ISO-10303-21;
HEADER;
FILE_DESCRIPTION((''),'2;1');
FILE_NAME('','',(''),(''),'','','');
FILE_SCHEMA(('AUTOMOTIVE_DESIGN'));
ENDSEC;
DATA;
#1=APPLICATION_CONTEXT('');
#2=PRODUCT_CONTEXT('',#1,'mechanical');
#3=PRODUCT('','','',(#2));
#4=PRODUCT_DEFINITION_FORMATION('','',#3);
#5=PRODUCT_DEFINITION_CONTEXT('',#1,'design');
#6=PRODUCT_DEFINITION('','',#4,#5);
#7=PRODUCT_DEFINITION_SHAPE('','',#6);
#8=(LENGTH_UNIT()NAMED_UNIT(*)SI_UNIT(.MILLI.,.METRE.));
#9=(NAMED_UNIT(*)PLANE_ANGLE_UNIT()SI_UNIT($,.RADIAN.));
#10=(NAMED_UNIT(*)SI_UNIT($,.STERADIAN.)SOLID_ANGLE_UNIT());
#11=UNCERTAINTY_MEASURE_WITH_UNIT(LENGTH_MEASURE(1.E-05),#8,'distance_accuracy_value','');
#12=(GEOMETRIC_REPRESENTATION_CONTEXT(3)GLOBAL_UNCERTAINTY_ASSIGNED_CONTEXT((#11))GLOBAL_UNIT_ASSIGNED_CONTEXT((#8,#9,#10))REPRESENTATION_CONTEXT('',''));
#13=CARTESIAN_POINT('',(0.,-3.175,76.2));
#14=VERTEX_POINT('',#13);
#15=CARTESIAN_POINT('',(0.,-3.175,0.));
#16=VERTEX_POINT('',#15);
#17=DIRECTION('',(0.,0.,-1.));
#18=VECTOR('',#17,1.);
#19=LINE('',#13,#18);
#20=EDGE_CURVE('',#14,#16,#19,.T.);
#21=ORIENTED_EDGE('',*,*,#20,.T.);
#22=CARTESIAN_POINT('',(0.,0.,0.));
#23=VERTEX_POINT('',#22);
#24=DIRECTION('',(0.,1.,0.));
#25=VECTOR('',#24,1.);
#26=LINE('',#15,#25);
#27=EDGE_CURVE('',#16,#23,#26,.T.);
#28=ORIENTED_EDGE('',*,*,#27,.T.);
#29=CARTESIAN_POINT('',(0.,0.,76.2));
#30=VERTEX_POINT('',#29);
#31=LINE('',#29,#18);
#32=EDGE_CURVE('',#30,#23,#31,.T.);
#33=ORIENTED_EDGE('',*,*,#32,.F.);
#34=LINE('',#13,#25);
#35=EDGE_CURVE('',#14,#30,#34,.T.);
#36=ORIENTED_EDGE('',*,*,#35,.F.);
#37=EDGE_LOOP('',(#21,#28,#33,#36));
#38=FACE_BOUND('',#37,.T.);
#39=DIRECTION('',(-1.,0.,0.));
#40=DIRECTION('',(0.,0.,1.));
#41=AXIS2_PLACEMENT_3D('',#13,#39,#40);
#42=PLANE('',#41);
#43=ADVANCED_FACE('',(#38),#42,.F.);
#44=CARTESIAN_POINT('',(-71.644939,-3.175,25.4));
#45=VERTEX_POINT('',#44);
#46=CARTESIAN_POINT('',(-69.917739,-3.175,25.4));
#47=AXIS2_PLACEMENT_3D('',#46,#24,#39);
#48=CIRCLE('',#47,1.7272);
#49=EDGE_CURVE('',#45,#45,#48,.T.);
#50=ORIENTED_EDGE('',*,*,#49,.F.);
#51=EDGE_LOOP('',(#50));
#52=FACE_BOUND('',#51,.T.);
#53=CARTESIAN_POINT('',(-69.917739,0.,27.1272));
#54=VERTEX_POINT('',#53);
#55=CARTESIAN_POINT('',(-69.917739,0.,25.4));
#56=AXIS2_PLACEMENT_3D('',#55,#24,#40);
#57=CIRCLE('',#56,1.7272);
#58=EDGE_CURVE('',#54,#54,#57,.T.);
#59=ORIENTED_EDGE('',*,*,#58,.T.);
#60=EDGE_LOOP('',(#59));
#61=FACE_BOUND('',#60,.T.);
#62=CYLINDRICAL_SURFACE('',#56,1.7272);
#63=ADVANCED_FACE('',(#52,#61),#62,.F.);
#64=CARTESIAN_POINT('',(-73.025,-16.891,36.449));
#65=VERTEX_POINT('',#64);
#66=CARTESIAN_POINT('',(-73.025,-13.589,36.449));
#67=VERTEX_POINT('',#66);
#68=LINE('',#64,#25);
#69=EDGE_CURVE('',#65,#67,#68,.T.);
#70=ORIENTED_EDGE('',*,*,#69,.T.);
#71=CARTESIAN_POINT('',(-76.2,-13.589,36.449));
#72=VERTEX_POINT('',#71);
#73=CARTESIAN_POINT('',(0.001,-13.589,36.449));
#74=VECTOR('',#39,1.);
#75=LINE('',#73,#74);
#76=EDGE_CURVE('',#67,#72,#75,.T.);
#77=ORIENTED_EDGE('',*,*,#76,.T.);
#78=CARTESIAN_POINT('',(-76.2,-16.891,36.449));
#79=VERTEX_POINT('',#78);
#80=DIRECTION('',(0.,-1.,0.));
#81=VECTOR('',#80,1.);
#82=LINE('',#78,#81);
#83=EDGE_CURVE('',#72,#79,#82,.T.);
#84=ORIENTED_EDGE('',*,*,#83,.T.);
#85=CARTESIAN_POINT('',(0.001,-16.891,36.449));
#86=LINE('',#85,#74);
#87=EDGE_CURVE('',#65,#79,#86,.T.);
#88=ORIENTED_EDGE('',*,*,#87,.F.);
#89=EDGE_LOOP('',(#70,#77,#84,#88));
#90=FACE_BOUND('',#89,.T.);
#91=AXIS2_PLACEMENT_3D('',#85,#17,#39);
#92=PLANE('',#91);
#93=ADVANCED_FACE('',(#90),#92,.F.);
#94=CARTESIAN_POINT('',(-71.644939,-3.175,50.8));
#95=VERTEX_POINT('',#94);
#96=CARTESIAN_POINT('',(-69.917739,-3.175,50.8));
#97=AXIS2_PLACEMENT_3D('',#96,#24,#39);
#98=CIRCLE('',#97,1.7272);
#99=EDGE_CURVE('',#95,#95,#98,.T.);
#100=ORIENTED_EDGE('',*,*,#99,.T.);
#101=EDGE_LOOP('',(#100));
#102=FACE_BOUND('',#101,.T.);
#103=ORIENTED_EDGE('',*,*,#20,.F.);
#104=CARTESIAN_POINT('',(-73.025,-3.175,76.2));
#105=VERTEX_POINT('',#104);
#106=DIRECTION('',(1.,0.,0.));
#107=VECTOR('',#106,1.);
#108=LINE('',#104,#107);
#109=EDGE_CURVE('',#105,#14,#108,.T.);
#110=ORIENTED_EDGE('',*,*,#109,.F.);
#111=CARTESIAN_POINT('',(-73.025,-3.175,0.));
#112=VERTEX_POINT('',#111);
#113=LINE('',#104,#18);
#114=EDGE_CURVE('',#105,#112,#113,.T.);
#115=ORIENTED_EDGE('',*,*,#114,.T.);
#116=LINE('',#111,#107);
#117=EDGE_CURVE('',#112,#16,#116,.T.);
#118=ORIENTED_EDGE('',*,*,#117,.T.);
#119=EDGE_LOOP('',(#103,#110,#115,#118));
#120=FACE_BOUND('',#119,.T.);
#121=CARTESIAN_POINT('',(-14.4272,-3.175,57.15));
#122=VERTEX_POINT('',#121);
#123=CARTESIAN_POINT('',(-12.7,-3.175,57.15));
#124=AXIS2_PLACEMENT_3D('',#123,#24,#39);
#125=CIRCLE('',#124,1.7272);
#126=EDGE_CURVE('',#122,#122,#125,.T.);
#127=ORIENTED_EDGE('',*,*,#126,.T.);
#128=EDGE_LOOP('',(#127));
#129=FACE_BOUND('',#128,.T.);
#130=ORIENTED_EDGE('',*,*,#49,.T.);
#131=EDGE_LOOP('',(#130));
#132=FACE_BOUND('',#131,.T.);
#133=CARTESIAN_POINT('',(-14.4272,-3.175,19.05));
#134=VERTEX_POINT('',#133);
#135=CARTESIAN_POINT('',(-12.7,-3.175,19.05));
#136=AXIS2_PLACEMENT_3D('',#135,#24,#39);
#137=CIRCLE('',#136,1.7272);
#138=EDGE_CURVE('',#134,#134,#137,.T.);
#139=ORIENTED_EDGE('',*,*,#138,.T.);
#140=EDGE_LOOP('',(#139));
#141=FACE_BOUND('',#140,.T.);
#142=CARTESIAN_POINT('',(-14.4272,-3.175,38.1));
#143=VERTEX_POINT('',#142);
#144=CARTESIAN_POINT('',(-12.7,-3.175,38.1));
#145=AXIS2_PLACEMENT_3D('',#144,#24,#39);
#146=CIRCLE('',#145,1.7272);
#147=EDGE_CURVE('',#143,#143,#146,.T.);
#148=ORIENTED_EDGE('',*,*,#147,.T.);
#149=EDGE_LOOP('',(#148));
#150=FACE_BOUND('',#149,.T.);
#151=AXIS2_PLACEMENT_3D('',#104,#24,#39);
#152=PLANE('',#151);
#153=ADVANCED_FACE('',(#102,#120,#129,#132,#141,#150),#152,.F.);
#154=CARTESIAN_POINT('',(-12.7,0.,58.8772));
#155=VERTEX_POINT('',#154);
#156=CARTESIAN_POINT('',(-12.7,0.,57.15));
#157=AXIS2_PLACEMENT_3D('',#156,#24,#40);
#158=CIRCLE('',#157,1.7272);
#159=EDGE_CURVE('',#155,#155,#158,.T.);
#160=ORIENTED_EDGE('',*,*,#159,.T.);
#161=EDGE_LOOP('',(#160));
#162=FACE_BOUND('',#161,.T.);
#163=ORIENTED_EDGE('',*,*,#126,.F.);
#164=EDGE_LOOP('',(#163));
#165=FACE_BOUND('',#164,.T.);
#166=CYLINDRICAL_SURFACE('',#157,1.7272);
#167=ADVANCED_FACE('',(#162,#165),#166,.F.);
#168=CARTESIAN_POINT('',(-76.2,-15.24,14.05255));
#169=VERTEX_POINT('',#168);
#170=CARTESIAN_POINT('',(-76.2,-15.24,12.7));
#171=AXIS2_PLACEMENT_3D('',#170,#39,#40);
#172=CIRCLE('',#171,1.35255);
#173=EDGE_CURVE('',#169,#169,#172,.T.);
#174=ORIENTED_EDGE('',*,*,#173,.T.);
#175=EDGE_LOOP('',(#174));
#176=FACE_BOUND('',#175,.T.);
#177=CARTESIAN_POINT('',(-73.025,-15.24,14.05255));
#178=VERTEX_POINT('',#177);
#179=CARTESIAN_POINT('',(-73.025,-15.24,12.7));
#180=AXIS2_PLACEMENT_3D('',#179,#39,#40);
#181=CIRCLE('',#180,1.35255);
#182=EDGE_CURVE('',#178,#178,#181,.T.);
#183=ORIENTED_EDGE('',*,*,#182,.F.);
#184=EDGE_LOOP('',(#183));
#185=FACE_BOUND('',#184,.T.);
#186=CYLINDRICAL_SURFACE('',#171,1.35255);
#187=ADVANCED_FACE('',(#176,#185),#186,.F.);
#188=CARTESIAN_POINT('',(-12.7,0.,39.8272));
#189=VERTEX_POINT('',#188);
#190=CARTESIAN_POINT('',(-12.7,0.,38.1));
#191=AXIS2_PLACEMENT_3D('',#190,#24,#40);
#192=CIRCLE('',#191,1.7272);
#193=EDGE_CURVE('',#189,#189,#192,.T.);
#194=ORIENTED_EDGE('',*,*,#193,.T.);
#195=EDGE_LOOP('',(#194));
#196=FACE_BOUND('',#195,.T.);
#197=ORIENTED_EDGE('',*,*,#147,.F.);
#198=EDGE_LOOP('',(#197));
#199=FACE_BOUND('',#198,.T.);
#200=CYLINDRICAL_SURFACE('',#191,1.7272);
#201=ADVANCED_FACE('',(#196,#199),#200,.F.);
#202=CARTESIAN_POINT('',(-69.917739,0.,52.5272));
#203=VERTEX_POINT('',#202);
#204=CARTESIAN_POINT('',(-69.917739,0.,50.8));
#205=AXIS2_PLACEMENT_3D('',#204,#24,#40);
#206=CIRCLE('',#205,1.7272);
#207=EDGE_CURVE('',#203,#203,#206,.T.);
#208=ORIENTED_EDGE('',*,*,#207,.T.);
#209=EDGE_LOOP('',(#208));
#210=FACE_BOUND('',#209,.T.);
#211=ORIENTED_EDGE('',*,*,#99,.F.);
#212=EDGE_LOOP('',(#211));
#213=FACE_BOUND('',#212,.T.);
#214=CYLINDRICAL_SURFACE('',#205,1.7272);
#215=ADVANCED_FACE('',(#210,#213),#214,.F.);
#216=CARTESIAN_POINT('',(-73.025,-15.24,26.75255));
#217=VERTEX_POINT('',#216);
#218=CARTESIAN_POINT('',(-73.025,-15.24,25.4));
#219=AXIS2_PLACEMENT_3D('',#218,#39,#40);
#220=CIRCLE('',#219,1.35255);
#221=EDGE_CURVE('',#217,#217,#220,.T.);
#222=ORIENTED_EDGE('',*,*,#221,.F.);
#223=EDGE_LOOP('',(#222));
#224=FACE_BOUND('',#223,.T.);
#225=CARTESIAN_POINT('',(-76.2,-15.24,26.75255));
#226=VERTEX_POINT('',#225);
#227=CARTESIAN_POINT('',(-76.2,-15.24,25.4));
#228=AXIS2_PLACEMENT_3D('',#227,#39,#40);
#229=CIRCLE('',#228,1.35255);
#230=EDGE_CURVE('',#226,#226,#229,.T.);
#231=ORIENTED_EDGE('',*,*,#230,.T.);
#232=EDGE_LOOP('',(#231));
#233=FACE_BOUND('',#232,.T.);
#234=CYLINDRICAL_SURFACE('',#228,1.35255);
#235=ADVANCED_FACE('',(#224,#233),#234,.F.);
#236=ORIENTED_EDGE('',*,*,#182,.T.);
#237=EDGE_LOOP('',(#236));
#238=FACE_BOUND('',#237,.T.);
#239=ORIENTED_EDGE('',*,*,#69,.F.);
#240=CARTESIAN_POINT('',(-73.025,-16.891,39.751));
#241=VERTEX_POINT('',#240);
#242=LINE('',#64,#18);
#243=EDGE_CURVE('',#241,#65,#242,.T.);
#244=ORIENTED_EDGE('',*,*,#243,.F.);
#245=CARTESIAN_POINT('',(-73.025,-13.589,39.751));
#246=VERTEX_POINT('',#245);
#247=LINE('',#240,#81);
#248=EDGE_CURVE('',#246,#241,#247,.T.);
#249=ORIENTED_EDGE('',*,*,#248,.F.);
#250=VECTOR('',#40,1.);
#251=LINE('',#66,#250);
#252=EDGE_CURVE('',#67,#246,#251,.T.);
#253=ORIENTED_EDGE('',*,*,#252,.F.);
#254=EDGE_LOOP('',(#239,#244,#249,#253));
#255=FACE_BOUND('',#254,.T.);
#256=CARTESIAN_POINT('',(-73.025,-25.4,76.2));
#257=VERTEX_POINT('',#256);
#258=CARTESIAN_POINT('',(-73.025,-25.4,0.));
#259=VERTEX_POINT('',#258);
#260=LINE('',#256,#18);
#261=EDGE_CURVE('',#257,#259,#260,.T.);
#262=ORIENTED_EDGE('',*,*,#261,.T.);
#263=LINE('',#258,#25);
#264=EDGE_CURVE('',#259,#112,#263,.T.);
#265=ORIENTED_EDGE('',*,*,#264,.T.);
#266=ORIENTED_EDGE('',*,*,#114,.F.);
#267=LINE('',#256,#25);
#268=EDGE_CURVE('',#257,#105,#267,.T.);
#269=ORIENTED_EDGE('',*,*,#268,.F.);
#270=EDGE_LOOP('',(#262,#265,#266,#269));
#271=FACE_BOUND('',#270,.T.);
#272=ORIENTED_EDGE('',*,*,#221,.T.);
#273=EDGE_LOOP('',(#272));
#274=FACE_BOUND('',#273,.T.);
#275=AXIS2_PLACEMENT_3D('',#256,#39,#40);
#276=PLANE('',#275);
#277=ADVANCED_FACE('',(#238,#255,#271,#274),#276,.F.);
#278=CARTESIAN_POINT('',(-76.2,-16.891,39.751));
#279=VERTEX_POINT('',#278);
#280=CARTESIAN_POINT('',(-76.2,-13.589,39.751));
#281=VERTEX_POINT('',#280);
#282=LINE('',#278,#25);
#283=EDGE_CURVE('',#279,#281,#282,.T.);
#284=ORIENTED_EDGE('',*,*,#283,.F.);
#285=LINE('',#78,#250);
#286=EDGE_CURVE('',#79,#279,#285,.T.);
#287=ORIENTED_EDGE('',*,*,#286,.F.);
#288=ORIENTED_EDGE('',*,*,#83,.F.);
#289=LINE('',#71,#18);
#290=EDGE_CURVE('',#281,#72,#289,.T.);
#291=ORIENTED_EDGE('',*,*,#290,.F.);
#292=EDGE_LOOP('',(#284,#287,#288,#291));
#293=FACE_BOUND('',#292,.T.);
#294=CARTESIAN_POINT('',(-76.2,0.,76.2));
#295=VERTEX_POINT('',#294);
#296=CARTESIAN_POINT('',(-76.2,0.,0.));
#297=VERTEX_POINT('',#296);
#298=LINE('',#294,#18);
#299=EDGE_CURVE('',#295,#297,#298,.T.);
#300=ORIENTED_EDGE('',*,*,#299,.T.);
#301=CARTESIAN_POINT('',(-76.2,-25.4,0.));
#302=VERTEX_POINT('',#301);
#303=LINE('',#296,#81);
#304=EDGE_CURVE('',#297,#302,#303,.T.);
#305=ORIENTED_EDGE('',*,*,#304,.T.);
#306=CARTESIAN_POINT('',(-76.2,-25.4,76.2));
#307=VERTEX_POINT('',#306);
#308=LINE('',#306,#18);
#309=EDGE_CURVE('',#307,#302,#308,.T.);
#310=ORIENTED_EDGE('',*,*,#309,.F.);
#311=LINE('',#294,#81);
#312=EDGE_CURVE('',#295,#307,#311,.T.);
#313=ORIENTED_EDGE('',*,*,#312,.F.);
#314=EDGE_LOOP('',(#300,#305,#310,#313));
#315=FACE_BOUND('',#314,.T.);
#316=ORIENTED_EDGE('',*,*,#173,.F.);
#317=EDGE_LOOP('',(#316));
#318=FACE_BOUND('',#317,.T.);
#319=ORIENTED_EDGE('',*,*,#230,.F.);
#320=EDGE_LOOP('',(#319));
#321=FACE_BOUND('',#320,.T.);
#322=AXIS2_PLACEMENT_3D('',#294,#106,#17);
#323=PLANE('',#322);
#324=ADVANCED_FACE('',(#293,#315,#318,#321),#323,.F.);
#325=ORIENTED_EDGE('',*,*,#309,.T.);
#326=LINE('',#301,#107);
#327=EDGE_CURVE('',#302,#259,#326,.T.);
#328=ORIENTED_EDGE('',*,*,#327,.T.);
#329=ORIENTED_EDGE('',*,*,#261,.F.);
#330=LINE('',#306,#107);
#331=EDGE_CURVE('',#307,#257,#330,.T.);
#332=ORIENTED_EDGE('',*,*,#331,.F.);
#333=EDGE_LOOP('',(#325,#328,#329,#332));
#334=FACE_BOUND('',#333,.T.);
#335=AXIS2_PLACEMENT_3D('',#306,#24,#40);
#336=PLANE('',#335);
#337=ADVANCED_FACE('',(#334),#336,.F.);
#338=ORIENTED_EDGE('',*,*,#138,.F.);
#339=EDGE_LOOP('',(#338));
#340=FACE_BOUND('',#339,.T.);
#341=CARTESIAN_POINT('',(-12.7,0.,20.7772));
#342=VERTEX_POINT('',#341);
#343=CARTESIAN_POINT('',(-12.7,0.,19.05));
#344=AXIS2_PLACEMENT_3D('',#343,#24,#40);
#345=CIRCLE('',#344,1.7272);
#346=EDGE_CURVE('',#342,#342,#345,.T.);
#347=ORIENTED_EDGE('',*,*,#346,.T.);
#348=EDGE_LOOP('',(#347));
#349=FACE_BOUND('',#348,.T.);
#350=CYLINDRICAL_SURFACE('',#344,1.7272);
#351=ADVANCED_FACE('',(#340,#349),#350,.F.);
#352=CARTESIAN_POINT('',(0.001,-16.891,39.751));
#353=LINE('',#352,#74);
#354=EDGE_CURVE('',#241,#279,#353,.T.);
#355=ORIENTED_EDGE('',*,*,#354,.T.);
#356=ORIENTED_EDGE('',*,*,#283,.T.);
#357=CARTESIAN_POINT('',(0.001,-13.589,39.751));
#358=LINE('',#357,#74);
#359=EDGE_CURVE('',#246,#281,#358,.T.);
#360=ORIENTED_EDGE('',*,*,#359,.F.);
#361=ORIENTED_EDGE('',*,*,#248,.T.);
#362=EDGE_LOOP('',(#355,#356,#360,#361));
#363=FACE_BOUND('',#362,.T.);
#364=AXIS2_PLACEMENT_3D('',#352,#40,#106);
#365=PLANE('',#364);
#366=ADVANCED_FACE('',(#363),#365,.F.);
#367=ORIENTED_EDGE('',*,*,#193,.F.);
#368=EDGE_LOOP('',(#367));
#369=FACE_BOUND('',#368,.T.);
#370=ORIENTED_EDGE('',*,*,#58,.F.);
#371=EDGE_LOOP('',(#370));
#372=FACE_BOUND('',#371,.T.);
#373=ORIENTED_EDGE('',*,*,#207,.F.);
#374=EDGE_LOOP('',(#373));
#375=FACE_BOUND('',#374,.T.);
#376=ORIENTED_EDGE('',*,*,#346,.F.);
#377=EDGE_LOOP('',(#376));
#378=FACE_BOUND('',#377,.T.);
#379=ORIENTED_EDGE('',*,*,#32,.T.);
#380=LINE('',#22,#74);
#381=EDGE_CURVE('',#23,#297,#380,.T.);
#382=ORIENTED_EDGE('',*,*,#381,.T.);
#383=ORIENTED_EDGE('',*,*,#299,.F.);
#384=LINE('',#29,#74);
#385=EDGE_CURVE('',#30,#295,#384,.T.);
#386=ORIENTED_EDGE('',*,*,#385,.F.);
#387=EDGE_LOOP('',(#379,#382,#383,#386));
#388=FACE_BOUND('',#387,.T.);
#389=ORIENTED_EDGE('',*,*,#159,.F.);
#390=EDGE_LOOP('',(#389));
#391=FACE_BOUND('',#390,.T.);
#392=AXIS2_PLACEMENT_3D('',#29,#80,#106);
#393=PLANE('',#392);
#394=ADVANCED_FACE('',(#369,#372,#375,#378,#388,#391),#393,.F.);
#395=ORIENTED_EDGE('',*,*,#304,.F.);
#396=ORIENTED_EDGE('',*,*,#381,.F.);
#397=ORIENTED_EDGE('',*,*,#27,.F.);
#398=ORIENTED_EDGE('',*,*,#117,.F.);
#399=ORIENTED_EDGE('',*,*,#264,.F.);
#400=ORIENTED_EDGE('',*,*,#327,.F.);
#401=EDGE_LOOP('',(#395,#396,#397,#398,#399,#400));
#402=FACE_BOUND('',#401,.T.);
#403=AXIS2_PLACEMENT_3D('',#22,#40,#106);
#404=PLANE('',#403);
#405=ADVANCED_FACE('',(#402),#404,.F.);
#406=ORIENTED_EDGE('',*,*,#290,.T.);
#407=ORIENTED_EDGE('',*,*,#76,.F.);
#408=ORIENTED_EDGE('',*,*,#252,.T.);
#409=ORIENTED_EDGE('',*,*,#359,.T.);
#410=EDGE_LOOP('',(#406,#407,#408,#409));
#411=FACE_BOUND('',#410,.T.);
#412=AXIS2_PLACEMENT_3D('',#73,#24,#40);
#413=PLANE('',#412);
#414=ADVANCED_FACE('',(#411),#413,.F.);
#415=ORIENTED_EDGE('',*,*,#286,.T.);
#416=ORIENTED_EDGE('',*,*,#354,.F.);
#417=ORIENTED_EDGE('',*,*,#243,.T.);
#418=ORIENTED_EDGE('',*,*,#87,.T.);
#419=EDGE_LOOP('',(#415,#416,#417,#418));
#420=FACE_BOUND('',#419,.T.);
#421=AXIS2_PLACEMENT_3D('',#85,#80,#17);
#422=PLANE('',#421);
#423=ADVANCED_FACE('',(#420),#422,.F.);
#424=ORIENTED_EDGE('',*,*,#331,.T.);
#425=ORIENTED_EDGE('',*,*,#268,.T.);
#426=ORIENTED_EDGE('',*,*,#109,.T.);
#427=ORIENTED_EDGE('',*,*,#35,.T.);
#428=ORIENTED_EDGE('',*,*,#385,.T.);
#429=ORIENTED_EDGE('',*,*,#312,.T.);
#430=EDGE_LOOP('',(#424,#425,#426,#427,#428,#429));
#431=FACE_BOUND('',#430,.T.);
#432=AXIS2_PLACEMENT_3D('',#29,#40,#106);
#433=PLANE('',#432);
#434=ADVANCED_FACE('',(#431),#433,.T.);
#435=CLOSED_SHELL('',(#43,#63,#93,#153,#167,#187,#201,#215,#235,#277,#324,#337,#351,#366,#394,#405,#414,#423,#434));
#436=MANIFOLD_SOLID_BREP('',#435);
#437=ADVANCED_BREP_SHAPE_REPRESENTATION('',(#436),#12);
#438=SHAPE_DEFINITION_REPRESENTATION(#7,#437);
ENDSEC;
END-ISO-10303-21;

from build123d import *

# Parameters (mm, degrees)
BOSS_EXTRUDE1_DEPTH       = 76.2
TAP_DRILL_FOR_6_32_TAP1_D = 2.7051
TAP_DRILL_FOR_8_32_TAP1_D = 3.4544
CUT_EXTRUDE1_REACH        = 112.716
SKETCH8_W                 = 3.302
SKETCH8_H                 = 3.302
TAP_DRILL_FOR_8_32_TAP2_D = 3.4544


with BuildPart() as part:
    # Sketch2 → Boss-Extrude1 (new body)
    with BuildSketch(Plane.XY):
        Polygon((0, 0), (-76.2, 0), (-76.2, -25.4), (-73.025, -25.4), (-73.025, -3.175), (0, -3.175), align=None)
    extrude(amount=BOSS_EXTRUDE1_DEPTH)

    # Tap Drill for #6-32 Tap1 (through all)
    with Locations(Plane.ZY.offset(76.2)):
        with Locations((25.4, -15.24), (12.7, -15.24)):
            Hole(TAP_DRILL_FOR_6_32_TAP1_D / 2)

    # Tap Drill for #8-32 Tap1 (through all)
    with Locations(Plane(origin=(0, 0, 0), x_dir=(1, 0, 0), z_dir=(0, 1, 0))):
        with Locations((-69.917738612, -25.4), (-69.917738612, -50.8)):
            Hole(TAP_DRILL_FOR_8_32_TAP1_D / 2)

    # Sketch8 → Cut-Extrude1 (cut, up to next)
    with BuildSketch(Plane.ZY.offset(76.2), mode=Mode.PRIVATE) as cut_extrude1_sk1:
        with Locations((38.1, -15.24)):
            Rectangle(SKETCH8_W, SKETCH8_H)
    cut_extrude1_tool1 = extrude(cut_extrude1_sk1.sketch, amount=-CUT_EXTRUDE1_REACH, mode=Mode.PRIVATE) & part.part
    add(cut_extrude1_tool1.solids().sort_by_distance((-76.2, -15.24, 38.1))[0], mode=Mode.SUBTRACT)

    # Tap Drill for #8-32 Tap2 (through all)
    with Locations(Plane(origin=(0, 0, 0), x_dir=(1, 0, 0), z_dir=(0, 1, 0))):
        with Locations((-12.7, -19.05), (-12.7, -38.1), (-12.7, -57.15)):
            Hole(TAP_DRILL_FOR_8_32_TAP2_D / 2)


solid = part.part
